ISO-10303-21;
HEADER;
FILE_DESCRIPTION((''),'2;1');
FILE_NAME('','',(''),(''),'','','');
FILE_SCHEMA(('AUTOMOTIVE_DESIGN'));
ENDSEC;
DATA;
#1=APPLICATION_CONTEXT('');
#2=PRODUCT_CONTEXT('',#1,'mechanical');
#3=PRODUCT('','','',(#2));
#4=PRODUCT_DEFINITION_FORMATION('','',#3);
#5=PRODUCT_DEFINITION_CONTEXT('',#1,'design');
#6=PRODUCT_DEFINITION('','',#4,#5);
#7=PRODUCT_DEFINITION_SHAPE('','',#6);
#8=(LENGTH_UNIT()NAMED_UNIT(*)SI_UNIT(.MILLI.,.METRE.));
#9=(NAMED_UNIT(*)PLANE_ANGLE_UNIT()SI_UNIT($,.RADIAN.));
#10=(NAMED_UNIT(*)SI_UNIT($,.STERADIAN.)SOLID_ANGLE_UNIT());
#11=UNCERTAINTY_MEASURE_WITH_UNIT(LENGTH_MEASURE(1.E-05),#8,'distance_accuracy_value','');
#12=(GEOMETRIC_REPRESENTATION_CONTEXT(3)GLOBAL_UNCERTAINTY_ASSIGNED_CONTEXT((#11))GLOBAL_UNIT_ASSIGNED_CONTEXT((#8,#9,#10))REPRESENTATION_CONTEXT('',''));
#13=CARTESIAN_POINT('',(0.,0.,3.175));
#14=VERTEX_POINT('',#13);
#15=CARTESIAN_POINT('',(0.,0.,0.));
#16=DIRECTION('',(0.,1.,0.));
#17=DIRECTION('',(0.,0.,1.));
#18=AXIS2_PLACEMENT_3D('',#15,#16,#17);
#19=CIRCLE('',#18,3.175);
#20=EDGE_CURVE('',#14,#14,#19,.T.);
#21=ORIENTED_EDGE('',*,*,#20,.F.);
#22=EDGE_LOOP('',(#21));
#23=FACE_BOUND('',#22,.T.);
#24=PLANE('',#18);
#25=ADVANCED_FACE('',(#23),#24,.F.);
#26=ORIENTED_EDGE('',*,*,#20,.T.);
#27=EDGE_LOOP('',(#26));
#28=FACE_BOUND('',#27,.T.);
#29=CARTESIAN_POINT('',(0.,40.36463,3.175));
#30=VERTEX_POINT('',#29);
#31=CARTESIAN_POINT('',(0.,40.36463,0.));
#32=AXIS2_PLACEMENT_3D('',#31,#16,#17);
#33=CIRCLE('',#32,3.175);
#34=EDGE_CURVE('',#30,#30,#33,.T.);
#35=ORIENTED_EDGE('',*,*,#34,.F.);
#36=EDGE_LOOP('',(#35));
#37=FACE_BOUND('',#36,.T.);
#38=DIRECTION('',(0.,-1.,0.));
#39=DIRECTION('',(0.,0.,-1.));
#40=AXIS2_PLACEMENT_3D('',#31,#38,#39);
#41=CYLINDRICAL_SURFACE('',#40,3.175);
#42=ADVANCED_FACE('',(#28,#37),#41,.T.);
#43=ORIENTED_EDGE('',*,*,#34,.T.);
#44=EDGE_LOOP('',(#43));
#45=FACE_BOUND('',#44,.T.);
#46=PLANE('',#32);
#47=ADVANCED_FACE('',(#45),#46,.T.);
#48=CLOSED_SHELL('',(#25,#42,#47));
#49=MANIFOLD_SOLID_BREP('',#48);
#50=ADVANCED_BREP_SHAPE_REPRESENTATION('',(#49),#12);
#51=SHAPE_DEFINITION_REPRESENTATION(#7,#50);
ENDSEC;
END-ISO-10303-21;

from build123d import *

# Parameters (mm, degrees)
SKETCH1_R           = 3.175
BOSS_EXTRUDE1_DEPTH = 40.36463


with BuildPart() as part:
    # Sketch1 → Boss-Extrude1 (new body)
    with BuildSketch(Plane(origin=(0, 0, 0), x_dir=(1, 0, 0), z_dir=(0, 1, 0))):
        with Locations(Location((0, 0, 0), (0, 0, 270))):
            Circle(SKETCH1_R)
    extrude(amount=BOSS_EXTRUDE1_DEPTH)


solid = part.part
